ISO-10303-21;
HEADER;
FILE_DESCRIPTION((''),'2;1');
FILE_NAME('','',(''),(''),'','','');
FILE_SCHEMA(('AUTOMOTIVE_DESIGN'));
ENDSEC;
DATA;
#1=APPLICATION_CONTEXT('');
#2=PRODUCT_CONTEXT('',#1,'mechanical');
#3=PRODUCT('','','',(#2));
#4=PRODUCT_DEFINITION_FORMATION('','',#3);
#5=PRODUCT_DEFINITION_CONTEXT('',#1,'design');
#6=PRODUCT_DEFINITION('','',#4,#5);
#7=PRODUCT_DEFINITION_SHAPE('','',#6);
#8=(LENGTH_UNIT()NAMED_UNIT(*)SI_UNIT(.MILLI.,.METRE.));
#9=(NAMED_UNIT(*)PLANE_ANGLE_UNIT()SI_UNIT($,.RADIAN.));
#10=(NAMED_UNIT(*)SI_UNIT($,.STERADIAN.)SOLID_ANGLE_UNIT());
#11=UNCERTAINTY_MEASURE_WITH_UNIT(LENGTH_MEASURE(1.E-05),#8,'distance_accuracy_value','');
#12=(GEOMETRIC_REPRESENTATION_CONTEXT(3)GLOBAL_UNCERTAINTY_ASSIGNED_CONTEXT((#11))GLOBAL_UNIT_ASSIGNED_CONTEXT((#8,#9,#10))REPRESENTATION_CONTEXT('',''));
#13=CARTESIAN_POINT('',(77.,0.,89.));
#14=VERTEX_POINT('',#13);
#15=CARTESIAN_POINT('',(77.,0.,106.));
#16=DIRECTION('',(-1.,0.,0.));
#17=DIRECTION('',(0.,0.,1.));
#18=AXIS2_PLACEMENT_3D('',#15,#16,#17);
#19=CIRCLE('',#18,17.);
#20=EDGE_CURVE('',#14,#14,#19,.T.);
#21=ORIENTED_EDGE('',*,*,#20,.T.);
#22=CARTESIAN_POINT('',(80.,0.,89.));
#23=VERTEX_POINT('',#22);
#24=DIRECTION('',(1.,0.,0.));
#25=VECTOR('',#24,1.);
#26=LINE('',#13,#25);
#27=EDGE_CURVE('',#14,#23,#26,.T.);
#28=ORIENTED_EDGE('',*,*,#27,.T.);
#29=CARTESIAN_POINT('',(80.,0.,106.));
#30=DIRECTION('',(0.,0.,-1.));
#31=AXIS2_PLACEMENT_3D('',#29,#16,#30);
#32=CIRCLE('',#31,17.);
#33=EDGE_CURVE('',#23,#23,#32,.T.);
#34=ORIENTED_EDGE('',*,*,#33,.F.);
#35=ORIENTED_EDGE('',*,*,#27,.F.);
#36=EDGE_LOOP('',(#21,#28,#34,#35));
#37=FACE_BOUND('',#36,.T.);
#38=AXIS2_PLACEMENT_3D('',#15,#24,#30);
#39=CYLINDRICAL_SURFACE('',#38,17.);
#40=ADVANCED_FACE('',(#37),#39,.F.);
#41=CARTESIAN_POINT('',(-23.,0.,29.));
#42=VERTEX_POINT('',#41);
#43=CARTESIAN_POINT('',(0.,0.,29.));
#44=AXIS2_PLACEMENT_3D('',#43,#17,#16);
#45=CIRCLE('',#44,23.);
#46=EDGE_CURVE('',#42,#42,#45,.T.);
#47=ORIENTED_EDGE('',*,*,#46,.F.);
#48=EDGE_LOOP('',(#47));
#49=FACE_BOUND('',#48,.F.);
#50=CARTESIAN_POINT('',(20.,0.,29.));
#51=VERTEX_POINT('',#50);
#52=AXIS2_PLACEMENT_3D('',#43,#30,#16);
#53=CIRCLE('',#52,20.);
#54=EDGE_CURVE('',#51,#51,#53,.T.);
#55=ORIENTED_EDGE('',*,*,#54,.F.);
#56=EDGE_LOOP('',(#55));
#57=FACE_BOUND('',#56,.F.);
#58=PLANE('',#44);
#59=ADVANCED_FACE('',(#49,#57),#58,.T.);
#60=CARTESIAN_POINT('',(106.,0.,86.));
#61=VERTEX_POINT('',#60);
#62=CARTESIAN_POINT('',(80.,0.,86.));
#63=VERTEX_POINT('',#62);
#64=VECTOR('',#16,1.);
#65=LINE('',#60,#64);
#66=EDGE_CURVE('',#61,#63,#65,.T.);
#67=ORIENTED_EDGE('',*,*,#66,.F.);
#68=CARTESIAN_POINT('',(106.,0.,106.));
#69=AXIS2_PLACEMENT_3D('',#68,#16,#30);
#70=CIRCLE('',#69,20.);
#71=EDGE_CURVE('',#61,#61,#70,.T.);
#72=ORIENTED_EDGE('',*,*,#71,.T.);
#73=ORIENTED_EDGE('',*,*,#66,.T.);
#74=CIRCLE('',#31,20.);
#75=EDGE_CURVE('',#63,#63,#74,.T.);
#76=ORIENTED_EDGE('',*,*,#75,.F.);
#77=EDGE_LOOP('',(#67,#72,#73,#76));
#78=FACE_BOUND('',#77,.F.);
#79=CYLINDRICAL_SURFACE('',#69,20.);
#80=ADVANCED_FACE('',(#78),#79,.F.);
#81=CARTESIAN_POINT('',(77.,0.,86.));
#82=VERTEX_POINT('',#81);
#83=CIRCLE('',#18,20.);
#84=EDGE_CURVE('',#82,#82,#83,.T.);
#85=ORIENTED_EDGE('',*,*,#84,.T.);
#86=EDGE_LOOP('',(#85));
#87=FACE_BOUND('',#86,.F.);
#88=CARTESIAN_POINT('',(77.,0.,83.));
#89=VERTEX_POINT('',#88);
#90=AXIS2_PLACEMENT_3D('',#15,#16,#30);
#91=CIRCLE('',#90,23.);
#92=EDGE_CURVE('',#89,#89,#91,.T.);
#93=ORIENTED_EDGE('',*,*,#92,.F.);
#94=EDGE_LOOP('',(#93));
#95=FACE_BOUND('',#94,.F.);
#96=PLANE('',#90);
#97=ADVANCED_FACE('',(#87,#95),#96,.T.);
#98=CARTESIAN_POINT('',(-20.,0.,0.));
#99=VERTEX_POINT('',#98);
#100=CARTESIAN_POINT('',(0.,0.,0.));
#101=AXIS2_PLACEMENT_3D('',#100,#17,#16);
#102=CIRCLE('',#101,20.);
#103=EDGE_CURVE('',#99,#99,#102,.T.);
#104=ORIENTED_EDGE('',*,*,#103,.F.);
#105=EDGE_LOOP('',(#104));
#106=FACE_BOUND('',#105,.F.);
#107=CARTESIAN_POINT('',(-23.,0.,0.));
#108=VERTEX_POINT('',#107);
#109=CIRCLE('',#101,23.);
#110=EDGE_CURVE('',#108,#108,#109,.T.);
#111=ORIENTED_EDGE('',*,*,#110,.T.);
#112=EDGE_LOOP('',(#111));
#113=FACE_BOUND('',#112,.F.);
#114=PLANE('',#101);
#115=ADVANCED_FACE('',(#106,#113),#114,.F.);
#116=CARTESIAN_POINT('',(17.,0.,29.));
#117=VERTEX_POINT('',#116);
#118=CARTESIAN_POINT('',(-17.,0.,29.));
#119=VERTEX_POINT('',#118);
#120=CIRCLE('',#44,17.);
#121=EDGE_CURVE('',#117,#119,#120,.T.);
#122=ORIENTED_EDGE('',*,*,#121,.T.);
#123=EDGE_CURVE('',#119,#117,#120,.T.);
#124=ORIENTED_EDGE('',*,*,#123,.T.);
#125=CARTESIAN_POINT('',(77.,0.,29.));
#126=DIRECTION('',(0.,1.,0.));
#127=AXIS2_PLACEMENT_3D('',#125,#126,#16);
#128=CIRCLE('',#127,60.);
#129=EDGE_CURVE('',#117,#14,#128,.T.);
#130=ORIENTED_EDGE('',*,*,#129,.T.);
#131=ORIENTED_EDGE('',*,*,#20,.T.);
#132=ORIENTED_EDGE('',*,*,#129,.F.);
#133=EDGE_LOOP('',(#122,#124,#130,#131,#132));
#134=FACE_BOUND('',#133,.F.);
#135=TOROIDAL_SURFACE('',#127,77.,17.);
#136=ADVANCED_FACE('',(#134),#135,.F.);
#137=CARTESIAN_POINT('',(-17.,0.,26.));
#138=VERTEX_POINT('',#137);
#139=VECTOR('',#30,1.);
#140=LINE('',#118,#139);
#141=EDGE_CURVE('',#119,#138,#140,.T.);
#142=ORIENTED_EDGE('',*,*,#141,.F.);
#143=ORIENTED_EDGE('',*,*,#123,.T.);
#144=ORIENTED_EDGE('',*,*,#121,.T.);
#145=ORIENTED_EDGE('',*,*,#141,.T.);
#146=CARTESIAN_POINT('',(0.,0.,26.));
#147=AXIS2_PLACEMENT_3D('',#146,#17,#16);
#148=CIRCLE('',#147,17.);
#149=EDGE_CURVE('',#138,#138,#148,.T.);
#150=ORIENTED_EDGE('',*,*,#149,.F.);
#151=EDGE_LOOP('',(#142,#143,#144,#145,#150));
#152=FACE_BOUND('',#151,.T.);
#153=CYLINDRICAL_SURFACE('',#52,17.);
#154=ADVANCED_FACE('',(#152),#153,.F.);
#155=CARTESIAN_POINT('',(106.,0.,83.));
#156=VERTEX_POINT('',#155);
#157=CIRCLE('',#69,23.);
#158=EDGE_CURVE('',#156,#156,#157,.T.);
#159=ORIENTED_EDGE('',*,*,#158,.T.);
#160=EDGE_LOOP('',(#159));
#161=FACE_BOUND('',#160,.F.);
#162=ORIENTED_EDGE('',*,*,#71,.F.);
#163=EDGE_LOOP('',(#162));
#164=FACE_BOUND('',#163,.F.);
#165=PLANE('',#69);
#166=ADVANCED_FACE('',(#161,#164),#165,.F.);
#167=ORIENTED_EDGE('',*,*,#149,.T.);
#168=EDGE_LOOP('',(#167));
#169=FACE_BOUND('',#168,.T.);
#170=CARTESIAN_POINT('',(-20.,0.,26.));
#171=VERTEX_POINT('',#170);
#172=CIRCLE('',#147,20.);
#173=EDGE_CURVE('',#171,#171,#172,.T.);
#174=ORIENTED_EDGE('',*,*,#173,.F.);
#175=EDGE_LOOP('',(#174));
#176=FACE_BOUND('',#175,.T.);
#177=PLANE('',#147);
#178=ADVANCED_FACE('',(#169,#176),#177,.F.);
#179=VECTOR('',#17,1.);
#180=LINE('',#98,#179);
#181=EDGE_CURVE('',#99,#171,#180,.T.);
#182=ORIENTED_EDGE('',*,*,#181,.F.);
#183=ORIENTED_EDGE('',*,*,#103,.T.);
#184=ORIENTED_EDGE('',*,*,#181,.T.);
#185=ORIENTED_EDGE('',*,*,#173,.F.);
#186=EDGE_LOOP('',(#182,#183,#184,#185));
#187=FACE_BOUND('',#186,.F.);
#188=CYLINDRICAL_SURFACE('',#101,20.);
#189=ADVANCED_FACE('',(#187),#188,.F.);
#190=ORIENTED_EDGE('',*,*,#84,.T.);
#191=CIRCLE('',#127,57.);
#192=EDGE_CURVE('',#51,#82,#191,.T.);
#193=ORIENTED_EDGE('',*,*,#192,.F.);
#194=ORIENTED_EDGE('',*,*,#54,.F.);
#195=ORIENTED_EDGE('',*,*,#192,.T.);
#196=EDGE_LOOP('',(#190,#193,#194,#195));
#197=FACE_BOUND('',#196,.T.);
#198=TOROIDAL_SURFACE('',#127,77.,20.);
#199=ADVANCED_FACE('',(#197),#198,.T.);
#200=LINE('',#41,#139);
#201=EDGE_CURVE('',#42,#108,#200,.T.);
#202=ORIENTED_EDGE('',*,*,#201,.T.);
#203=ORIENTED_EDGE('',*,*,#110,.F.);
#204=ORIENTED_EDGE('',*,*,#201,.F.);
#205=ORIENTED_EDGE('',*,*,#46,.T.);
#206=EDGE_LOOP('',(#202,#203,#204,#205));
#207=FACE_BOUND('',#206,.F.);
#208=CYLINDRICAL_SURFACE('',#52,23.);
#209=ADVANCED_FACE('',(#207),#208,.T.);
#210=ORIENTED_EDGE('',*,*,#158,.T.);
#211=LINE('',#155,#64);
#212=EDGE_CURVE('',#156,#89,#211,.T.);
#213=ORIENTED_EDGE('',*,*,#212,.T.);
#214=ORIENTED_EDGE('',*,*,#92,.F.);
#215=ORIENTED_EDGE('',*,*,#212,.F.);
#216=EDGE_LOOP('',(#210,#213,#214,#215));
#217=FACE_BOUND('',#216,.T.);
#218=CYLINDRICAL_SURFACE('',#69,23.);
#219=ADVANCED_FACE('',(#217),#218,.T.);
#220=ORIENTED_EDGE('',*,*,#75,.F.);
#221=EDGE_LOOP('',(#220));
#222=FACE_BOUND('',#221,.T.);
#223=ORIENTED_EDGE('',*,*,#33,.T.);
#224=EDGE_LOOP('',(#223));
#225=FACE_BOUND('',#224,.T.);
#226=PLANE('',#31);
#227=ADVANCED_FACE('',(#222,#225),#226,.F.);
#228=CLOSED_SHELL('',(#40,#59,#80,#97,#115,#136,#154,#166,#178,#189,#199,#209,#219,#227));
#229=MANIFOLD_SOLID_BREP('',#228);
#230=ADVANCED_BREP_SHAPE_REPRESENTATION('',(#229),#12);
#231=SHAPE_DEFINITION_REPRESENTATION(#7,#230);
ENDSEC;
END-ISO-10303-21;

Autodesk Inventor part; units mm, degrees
ref_plane "YZ Plane" through (0, 0, 0) normal (1, 0, 0) x (0, 1, 0)
ref_plane "XZ Plane" through (0, 0, 0) normal (0, 1, 0) x (-1, 0, 0)
ref_plane "XY Plane" through (0, 0, 0) normal (0, 0, 1) x (1, 0, 0)
sketch "Sketch1" plane through (0, 0, 0) normal (0, 1, 0) x (-1, 0, 0)
  line L0 (0, 0) -> (0, 29)
  line L1 (17, 29) -> (23, 29)
  line L2 (0, 29) -> (17, 29) construction
  line L3 (23, 29) -> (23, 0)
  line L4 (23, 0) -> (20, 0)
  line L5 (20, 0) -> (20, 26)
  line L6 (20, 0) -> (0, 0) construction
  line L7 (-106, 106) -> (-77, 106)
  line L8 (-77, 106) -> (-77, 89) construction
  line L9 (-106, 83) -> (-106, 86)
  line L10 (-106, 86) -> (-80, 86)
  line L11 (-106, 86) -> (-106, 106) construction
  line L12 (-77, 106) -> (0, 106) construction
  line L13 (0, 106) -> (0, 29) construction
  line L14 (17, 29) -> (17, 26)
  line L15 (17, 26) -> (20, 26)
  line L16 (-77, 89) -> (-80, 89)
  line L17 (-80, 89) -> (-80, 86)
  line L18 (-106, 83) -> (-77, 83)
  line L19 (-77, 89) -> (-77, 83)
  line L20 (-80, 89) -> (-80, 106) construction
  line L21 (17, 26) -> (0, 26) construction
  dimension "d0" = 40
  dimension "d1" = 3
  dimension "d2" = 26
  dimension "d4" = 34
  dimension "d6" = 40
  dimension "d7" = 34
  dimension "d10" = 3
  dimension "d11" = 3
  dimension "d12" = 26
  dimension "d14" = 80
  dimension "d15" = 80
  dimension "d16" = 3
revolve "Revolution1" add sketch "Sketch1" angle 360 about axis through (0, 0, 0) along (0, 0, 1) contours L1 L3 L4 L5 L15 L14
sketch "Sketch2" plane through (0, 0, 0) normal (0, 1, 0) x (-1, 0, 0)
  line L0 (0, 29) -> (0, 106) construction
  line L1 (0, 106) -> (-77, 106) construction
  arc A0 (0, 29) -> (-77, 106) centre (-77, 29) ccw
  line L2 (-23, 29) -> (23, 29) projected
  dimension "d8" = 77
  dimension "d9" = 77
sketch "Sketch3" plane through (0, 0, 29) normal (0, 0, 1) x (1, 0, 0)
  circle A0 centre (0, 0) radius 20
  circle A1 centre (0, 0) radius 20
  circle A2 centre (0, 0) radius 17 projected
  circle A3 centre (0, 0) radius 17
  dimension "d13" = 40
sweep "Sweep1" add profiles "Sketch3" path "Sketch2" path curves A0
revolve "Revolution2" add sketch "Sketch1" angle 360 about axis through (106, 0, 106) along (-1, 0, 0) contours L9 L10 L17 L16 L19 L18
equation "\"d0\" = D1"
equation "\"d1\" = S"
equation "\"d2\" = T"
equation "\"d4\" = D1 - 2 * S"
equation "\"d6\" = D1"
equation "\"d7\" = D1 - 2 * S"
equation "\"d10\" = S"
equation "\"d11\" = S"
equation "\"d12\" = T"
equation "\"d14\" = Z"
equation "\"d15\" = Z"
equation "\"d16\" = S"
equation "\"d8\" = Z - S"
equation "\"d9\" = Z - S"
equation "\"d13\" = D1"
equation "\"D1\" = 40"
equation "\"T\" = 26"
equation "\"Z\" = 80"
equation "\"S\" = 3"
properties part number "DIN 8063 Колено 90 градусов, тип B 40" material "ПВХ, непластифицированный"
